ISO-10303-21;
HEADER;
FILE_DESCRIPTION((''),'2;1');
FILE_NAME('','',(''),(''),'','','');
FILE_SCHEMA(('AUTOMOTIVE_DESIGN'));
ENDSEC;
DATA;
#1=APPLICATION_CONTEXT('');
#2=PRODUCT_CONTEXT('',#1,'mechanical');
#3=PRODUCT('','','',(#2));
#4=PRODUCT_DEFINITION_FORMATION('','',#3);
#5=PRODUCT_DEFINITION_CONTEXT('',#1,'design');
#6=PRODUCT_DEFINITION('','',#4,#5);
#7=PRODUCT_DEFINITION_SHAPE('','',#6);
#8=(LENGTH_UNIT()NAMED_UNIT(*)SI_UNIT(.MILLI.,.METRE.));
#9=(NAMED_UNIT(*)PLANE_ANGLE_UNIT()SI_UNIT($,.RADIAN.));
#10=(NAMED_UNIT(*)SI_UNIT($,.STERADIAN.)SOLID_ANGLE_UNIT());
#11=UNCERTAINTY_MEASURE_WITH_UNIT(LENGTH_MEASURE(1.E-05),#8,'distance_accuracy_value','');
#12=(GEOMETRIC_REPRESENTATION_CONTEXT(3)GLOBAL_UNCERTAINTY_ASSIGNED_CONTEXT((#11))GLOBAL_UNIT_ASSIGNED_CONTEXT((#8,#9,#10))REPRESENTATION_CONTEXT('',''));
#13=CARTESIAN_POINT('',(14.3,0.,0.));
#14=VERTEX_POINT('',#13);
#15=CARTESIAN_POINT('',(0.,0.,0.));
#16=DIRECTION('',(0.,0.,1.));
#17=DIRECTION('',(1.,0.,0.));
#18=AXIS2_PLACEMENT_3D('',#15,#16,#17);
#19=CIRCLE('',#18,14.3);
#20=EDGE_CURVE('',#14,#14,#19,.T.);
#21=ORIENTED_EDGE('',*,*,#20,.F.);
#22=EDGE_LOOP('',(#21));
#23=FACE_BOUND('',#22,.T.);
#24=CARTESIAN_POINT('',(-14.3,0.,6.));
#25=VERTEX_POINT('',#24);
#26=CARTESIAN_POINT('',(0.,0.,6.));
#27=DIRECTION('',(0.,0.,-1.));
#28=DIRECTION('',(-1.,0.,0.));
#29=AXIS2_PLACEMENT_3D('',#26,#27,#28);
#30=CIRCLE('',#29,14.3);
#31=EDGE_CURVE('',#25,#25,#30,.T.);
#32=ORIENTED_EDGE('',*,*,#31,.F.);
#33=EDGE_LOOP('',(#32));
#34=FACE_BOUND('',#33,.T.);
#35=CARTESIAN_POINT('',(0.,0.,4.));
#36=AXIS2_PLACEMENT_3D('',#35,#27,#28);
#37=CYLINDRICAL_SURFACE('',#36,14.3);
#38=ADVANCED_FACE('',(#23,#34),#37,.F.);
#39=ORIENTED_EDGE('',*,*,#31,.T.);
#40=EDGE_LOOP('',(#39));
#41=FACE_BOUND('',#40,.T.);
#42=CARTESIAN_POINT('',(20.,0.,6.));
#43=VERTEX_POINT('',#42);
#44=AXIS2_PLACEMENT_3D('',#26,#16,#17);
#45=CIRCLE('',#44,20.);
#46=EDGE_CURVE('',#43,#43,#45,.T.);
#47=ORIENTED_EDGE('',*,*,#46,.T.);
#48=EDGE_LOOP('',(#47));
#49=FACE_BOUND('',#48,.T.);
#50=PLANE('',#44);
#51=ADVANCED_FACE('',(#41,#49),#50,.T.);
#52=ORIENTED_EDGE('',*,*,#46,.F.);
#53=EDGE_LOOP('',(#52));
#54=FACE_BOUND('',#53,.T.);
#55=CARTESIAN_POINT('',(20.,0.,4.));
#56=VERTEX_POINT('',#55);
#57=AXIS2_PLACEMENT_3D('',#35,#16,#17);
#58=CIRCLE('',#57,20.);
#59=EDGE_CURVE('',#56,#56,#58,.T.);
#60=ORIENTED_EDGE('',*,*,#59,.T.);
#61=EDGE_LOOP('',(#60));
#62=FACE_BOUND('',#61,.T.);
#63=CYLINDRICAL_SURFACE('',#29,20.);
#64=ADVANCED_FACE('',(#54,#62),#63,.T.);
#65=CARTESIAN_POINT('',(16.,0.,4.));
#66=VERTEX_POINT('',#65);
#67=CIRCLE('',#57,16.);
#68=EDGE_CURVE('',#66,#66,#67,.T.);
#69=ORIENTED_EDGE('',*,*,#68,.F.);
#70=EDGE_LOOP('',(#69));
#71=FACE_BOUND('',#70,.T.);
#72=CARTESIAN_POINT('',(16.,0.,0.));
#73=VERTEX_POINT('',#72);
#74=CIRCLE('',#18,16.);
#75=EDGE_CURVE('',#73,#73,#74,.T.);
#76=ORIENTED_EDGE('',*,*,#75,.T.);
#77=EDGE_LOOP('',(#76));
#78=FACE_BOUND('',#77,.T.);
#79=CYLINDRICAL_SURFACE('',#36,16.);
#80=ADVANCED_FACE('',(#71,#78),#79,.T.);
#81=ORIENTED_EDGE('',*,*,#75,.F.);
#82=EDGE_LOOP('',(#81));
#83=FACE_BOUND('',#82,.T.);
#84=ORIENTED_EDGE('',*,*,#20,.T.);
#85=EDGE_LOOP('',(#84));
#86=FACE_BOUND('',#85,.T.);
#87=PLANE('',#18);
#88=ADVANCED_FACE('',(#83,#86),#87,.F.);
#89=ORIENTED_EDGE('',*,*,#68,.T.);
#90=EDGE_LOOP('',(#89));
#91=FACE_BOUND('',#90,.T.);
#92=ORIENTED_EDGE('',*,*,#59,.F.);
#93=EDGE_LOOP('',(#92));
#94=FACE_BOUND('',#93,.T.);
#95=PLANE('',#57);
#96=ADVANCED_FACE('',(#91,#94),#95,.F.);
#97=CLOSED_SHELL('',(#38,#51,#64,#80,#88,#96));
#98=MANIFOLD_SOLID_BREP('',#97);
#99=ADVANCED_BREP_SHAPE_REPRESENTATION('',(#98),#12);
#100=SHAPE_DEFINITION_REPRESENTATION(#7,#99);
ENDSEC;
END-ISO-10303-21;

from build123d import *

# Parameters (mm, degrees)
SKETCH_1_R          = 16
SKETCH_1_R_2        = 14.3
EXTRUDE_1_DEPTH     = 4
SKETCH_2_R          = 20
EXTRUDE_2_DEPTH     = 2
SKETCH_3_R          = 14.3
CUT_EXTRUDE_1_DEPTH = 2


with BuildPart() as part:
    # 草图1 → 凸台-拉伸1 (new body)
    with BuildSketch(Plane.XY):
        Circle(SKETCH_1_R)
        Circle(SKETCH_1_R_2, mode=Mode.SUBTRACT)
    extrude(amount=EXTRUDE_1_DEPTH)

    # 草图2 → 凸台-拉伸2 (add)
    with BuildSketch(Plane.XY.offset(4)):
        Circle(SKETCH_2_R)
    extrude(amount=EXTRUDE_2_DEPTH)

    # 草图3 → 切除-拉伸1 (cut)
    with BuildSketch(Plane(origin=(0, 0, 4), x_dir=(-1, 0, 0), z_dir=(0, 0, -1))):
        Circle(SKETCH_3_R)
    extrude(amount=-CUT_EXTRUDE_1_DEPTH, mode=Mode.SUBTRACT)


solid = part.part
